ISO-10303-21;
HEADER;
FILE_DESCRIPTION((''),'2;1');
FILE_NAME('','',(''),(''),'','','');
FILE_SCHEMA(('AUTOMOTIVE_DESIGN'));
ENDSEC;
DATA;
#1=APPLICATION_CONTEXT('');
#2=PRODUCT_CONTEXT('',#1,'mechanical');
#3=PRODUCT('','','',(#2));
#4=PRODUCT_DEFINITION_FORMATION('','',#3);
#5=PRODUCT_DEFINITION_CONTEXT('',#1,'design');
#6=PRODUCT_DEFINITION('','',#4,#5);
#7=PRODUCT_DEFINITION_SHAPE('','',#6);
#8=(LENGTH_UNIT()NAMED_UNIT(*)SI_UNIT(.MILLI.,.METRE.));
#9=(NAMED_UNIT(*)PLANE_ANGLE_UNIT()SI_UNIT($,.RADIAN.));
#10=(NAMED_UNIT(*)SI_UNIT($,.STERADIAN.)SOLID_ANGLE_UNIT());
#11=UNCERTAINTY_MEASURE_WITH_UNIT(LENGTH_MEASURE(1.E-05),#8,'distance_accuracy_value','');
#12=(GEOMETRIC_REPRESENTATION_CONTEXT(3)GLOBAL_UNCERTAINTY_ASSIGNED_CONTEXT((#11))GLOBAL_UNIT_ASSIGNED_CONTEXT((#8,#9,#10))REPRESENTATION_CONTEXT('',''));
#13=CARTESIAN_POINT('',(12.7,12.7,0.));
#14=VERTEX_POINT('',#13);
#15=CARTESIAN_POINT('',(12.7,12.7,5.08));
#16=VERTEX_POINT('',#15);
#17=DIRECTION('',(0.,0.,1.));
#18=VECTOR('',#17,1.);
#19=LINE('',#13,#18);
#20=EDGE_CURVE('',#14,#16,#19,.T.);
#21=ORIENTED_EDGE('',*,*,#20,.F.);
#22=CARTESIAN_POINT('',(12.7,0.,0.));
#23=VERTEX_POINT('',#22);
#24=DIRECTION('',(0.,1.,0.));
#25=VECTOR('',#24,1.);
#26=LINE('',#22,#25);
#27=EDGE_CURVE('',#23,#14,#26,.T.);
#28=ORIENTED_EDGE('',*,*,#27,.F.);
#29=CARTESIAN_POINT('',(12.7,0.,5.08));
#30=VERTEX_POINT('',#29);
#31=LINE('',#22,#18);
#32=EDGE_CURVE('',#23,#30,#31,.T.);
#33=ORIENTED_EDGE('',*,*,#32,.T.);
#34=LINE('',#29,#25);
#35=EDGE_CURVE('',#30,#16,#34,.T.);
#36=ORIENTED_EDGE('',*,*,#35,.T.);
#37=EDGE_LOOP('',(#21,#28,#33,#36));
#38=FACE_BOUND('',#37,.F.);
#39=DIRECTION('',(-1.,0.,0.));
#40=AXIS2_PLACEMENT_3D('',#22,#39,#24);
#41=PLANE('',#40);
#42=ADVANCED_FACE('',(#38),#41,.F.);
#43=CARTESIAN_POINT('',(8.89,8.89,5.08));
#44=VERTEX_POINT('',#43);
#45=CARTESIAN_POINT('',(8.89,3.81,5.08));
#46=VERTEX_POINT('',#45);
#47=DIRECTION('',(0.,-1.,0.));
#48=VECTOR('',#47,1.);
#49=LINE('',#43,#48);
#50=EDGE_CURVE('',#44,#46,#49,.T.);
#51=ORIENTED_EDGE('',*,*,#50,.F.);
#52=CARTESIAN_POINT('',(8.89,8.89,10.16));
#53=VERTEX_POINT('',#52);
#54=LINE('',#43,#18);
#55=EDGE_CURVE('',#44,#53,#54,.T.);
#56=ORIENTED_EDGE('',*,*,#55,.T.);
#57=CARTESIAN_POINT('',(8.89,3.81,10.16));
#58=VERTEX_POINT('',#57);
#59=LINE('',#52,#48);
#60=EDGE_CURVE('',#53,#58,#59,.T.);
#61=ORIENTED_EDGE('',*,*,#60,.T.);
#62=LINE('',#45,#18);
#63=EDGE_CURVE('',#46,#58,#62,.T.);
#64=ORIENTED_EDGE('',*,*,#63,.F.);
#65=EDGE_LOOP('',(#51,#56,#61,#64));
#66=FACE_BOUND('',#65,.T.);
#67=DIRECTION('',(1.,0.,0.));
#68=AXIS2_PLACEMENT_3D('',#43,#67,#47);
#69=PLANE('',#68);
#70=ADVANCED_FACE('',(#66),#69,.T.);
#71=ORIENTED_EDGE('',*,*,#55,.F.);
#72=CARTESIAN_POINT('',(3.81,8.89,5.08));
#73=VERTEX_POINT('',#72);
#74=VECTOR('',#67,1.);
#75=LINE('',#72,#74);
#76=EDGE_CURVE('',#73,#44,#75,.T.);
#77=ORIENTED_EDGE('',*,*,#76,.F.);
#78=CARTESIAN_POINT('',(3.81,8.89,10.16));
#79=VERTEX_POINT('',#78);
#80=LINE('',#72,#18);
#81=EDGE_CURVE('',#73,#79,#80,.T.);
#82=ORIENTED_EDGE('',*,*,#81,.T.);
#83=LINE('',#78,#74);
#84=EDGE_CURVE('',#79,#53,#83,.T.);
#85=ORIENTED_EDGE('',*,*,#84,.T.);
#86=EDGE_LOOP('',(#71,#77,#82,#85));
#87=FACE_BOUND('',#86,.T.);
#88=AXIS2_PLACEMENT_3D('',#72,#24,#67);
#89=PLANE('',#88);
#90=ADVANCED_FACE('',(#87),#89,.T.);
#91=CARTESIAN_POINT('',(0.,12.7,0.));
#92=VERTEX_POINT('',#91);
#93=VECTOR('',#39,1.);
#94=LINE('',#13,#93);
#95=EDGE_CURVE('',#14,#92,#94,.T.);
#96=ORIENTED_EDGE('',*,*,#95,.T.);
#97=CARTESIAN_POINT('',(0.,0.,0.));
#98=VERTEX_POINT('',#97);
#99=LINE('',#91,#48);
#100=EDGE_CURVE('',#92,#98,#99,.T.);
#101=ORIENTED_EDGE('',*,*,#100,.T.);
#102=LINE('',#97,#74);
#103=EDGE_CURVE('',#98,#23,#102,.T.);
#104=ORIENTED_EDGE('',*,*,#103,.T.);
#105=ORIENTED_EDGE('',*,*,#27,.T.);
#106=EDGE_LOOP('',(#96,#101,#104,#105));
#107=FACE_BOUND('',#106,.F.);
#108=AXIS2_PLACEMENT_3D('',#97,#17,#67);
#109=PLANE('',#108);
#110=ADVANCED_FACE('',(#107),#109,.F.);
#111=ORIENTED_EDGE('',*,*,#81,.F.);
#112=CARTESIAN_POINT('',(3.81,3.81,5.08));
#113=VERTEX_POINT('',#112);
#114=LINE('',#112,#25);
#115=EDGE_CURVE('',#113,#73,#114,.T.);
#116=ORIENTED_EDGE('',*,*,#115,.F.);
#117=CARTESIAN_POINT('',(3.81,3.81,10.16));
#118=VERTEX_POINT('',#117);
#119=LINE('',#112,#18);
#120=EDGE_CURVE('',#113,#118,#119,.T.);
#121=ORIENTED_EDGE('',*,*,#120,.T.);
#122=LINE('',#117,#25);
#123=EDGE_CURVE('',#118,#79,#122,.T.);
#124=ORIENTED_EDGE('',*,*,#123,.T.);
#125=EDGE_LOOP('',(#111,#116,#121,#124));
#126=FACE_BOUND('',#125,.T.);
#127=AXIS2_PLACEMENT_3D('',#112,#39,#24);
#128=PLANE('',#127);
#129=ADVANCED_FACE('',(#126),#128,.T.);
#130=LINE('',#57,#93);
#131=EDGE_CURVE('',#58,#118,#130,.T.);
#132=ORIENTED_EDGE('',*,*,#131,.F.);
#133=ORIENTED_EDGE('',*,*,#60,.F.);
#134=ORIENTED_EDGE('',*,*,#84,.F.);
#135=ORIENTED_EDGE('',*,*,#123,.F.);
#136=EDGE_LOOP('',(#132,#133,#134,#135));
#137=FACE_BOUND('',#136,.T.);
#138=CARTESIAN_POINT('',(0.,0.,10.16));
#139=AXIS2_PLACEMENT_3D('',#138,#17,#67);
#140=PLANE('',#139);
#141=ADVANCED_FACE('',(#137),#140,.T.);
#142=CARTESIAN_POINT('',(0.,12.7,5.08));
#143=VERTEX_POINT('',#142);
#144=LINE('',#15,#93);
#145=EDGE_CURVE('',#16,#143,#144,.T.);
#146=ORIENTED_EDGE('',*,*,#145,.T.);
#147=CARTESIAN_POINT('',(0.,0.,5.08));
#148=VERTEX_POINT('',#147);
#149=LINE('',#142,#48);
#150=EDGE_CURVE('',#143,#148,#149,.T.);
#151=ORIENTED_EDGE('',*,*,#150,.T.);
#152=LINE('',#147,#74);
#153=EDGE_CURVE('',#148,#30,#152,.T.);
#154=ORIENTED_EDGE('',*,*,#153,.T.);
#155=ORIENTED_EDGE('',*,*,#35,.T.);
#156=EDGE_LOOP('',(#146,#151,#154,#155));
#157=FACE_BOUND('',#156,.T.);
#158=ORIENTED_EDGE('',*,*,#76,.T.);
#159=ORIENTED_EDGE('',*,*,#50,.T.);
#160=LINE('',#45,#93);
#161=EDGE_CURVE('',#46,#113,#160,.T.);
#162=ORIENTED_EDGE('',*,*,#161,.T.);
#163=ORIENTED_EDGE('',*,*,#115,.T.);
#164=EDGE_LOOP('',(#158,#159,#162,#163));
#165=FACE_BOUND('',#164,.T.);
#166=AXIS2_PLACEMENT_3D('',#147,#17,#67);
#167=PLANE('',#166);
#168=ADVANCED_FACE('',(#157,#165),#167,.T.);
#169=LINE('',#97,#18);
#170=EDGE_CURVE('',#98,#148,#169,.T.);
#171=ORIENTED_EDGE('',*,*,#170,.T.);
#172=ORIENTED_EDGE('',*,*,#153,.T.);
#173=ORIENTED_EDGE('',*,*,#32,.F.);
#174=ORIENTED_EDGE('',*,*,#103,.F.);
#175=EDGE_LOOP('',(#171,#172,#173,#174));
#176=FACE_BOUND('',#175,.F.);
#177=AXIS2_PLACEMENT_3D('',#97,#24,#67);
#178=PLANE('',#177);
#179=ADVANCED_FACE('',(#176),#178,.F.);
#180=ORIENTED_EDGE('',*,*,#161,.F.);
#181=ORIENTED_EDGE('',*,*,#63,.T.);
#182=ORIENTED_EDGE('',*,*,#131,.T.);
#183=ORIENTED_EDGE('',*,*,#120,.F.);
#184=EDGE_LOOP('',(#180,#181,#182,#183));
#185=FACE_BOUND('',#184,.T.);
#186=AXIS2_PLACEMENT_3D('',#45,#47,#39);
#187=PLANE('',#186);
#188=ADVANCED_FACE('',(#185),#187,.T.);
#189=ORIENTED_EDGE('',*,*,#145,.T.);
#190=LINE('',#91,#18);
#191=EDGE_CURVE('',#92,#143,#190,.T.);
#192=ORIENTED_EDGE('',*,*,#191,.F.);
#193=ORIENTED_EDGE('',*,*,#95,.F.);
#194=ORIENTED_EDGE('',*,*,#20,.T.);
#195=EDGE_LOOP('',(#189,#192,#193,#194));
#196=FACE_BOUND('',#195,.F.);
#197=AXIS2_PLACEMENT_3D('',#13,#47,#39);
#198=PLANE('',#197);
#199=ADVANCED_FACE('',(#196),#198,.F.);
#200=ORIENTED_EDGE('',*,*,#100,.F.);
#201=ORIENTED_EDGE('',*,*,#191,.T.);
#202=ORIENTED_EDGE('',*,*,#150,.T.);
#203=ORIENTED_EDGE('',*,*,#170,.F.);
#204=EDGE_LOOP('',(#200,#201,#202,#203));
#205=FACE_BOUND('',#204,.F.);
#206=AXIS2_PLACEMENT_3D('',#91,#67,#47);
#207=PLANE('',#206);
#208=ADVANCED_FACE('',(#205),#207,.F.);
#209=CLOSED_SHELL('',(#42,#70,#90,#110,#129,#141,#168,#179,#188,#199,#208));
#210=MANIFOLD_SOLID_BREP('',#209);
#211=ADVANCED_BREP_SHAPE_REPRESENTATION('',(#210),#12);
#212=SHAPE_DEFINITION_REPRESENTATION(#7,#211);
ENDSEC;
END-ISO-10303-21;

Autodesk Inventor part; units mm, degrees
ref_plane "YZ Plane" through (0, 0, 0) normal (1, 0, 0) x (0, 1, 0)
ref_plane "XZ Plane" through (0, 0, 0) normal (0, 1, 0) x (-1, 0, 0)
ref_plane "XY Plane" through (0, 0, 0) normal (0, 0, 1) x (1, 0, 0)
sketch "Sketch1" plane through (0, 0, 0) normal (0, 0, 1) x (1, 0, 0)
  line L0 (0, 0) -> (12.7, 0)
  line L1 (12.7, 0) -> (12.7, 12.7)
  line L2 (12.7, 12.7) -> (0, 12.7)
  line L3 (0, 12.7) -> (0, 0)
  dimension "d0" = 12.7
  dimension "d1" = 12.7
extrude "Extrusion1" add sketch "Sketch1" along normal blind 5.08
sketch "Sketch3" plane through (0, 0, 5.08) normal (0, 0, 1) x (1, 0, 0)
  line L0 (3.81, 8.89) -> (8.89, 8.89)
  line L1 (8.89, 8.89) -> (8.89, 3.81)
  line L2 (8.89, 3.81) -> (3.81, 3.81)
  line L3 (3.81, 3.81) -> (3.81, 8.89)
  line L4 (0, 12.7) -> (0, 0) projected
  line L5 (12.7, 0) -> (12.7, 12.7) projected
  line L6 (12.7, 12.7) -> (0, 12.7) projected
  line L7 (0, 0) -> (12.7, 0) projected
  point P0 (12.7, 6.35)
  dimension "d10" = 3.81
  dimension "d11" = 3.81
  dimension "d12" = 3.81
  dimension "d13" = 3.81
extrude "Extrusion3" add sketch "Sketch3" along normal blind 5.08 contours L0 L1 L2 L3
properties part number "Handle"
